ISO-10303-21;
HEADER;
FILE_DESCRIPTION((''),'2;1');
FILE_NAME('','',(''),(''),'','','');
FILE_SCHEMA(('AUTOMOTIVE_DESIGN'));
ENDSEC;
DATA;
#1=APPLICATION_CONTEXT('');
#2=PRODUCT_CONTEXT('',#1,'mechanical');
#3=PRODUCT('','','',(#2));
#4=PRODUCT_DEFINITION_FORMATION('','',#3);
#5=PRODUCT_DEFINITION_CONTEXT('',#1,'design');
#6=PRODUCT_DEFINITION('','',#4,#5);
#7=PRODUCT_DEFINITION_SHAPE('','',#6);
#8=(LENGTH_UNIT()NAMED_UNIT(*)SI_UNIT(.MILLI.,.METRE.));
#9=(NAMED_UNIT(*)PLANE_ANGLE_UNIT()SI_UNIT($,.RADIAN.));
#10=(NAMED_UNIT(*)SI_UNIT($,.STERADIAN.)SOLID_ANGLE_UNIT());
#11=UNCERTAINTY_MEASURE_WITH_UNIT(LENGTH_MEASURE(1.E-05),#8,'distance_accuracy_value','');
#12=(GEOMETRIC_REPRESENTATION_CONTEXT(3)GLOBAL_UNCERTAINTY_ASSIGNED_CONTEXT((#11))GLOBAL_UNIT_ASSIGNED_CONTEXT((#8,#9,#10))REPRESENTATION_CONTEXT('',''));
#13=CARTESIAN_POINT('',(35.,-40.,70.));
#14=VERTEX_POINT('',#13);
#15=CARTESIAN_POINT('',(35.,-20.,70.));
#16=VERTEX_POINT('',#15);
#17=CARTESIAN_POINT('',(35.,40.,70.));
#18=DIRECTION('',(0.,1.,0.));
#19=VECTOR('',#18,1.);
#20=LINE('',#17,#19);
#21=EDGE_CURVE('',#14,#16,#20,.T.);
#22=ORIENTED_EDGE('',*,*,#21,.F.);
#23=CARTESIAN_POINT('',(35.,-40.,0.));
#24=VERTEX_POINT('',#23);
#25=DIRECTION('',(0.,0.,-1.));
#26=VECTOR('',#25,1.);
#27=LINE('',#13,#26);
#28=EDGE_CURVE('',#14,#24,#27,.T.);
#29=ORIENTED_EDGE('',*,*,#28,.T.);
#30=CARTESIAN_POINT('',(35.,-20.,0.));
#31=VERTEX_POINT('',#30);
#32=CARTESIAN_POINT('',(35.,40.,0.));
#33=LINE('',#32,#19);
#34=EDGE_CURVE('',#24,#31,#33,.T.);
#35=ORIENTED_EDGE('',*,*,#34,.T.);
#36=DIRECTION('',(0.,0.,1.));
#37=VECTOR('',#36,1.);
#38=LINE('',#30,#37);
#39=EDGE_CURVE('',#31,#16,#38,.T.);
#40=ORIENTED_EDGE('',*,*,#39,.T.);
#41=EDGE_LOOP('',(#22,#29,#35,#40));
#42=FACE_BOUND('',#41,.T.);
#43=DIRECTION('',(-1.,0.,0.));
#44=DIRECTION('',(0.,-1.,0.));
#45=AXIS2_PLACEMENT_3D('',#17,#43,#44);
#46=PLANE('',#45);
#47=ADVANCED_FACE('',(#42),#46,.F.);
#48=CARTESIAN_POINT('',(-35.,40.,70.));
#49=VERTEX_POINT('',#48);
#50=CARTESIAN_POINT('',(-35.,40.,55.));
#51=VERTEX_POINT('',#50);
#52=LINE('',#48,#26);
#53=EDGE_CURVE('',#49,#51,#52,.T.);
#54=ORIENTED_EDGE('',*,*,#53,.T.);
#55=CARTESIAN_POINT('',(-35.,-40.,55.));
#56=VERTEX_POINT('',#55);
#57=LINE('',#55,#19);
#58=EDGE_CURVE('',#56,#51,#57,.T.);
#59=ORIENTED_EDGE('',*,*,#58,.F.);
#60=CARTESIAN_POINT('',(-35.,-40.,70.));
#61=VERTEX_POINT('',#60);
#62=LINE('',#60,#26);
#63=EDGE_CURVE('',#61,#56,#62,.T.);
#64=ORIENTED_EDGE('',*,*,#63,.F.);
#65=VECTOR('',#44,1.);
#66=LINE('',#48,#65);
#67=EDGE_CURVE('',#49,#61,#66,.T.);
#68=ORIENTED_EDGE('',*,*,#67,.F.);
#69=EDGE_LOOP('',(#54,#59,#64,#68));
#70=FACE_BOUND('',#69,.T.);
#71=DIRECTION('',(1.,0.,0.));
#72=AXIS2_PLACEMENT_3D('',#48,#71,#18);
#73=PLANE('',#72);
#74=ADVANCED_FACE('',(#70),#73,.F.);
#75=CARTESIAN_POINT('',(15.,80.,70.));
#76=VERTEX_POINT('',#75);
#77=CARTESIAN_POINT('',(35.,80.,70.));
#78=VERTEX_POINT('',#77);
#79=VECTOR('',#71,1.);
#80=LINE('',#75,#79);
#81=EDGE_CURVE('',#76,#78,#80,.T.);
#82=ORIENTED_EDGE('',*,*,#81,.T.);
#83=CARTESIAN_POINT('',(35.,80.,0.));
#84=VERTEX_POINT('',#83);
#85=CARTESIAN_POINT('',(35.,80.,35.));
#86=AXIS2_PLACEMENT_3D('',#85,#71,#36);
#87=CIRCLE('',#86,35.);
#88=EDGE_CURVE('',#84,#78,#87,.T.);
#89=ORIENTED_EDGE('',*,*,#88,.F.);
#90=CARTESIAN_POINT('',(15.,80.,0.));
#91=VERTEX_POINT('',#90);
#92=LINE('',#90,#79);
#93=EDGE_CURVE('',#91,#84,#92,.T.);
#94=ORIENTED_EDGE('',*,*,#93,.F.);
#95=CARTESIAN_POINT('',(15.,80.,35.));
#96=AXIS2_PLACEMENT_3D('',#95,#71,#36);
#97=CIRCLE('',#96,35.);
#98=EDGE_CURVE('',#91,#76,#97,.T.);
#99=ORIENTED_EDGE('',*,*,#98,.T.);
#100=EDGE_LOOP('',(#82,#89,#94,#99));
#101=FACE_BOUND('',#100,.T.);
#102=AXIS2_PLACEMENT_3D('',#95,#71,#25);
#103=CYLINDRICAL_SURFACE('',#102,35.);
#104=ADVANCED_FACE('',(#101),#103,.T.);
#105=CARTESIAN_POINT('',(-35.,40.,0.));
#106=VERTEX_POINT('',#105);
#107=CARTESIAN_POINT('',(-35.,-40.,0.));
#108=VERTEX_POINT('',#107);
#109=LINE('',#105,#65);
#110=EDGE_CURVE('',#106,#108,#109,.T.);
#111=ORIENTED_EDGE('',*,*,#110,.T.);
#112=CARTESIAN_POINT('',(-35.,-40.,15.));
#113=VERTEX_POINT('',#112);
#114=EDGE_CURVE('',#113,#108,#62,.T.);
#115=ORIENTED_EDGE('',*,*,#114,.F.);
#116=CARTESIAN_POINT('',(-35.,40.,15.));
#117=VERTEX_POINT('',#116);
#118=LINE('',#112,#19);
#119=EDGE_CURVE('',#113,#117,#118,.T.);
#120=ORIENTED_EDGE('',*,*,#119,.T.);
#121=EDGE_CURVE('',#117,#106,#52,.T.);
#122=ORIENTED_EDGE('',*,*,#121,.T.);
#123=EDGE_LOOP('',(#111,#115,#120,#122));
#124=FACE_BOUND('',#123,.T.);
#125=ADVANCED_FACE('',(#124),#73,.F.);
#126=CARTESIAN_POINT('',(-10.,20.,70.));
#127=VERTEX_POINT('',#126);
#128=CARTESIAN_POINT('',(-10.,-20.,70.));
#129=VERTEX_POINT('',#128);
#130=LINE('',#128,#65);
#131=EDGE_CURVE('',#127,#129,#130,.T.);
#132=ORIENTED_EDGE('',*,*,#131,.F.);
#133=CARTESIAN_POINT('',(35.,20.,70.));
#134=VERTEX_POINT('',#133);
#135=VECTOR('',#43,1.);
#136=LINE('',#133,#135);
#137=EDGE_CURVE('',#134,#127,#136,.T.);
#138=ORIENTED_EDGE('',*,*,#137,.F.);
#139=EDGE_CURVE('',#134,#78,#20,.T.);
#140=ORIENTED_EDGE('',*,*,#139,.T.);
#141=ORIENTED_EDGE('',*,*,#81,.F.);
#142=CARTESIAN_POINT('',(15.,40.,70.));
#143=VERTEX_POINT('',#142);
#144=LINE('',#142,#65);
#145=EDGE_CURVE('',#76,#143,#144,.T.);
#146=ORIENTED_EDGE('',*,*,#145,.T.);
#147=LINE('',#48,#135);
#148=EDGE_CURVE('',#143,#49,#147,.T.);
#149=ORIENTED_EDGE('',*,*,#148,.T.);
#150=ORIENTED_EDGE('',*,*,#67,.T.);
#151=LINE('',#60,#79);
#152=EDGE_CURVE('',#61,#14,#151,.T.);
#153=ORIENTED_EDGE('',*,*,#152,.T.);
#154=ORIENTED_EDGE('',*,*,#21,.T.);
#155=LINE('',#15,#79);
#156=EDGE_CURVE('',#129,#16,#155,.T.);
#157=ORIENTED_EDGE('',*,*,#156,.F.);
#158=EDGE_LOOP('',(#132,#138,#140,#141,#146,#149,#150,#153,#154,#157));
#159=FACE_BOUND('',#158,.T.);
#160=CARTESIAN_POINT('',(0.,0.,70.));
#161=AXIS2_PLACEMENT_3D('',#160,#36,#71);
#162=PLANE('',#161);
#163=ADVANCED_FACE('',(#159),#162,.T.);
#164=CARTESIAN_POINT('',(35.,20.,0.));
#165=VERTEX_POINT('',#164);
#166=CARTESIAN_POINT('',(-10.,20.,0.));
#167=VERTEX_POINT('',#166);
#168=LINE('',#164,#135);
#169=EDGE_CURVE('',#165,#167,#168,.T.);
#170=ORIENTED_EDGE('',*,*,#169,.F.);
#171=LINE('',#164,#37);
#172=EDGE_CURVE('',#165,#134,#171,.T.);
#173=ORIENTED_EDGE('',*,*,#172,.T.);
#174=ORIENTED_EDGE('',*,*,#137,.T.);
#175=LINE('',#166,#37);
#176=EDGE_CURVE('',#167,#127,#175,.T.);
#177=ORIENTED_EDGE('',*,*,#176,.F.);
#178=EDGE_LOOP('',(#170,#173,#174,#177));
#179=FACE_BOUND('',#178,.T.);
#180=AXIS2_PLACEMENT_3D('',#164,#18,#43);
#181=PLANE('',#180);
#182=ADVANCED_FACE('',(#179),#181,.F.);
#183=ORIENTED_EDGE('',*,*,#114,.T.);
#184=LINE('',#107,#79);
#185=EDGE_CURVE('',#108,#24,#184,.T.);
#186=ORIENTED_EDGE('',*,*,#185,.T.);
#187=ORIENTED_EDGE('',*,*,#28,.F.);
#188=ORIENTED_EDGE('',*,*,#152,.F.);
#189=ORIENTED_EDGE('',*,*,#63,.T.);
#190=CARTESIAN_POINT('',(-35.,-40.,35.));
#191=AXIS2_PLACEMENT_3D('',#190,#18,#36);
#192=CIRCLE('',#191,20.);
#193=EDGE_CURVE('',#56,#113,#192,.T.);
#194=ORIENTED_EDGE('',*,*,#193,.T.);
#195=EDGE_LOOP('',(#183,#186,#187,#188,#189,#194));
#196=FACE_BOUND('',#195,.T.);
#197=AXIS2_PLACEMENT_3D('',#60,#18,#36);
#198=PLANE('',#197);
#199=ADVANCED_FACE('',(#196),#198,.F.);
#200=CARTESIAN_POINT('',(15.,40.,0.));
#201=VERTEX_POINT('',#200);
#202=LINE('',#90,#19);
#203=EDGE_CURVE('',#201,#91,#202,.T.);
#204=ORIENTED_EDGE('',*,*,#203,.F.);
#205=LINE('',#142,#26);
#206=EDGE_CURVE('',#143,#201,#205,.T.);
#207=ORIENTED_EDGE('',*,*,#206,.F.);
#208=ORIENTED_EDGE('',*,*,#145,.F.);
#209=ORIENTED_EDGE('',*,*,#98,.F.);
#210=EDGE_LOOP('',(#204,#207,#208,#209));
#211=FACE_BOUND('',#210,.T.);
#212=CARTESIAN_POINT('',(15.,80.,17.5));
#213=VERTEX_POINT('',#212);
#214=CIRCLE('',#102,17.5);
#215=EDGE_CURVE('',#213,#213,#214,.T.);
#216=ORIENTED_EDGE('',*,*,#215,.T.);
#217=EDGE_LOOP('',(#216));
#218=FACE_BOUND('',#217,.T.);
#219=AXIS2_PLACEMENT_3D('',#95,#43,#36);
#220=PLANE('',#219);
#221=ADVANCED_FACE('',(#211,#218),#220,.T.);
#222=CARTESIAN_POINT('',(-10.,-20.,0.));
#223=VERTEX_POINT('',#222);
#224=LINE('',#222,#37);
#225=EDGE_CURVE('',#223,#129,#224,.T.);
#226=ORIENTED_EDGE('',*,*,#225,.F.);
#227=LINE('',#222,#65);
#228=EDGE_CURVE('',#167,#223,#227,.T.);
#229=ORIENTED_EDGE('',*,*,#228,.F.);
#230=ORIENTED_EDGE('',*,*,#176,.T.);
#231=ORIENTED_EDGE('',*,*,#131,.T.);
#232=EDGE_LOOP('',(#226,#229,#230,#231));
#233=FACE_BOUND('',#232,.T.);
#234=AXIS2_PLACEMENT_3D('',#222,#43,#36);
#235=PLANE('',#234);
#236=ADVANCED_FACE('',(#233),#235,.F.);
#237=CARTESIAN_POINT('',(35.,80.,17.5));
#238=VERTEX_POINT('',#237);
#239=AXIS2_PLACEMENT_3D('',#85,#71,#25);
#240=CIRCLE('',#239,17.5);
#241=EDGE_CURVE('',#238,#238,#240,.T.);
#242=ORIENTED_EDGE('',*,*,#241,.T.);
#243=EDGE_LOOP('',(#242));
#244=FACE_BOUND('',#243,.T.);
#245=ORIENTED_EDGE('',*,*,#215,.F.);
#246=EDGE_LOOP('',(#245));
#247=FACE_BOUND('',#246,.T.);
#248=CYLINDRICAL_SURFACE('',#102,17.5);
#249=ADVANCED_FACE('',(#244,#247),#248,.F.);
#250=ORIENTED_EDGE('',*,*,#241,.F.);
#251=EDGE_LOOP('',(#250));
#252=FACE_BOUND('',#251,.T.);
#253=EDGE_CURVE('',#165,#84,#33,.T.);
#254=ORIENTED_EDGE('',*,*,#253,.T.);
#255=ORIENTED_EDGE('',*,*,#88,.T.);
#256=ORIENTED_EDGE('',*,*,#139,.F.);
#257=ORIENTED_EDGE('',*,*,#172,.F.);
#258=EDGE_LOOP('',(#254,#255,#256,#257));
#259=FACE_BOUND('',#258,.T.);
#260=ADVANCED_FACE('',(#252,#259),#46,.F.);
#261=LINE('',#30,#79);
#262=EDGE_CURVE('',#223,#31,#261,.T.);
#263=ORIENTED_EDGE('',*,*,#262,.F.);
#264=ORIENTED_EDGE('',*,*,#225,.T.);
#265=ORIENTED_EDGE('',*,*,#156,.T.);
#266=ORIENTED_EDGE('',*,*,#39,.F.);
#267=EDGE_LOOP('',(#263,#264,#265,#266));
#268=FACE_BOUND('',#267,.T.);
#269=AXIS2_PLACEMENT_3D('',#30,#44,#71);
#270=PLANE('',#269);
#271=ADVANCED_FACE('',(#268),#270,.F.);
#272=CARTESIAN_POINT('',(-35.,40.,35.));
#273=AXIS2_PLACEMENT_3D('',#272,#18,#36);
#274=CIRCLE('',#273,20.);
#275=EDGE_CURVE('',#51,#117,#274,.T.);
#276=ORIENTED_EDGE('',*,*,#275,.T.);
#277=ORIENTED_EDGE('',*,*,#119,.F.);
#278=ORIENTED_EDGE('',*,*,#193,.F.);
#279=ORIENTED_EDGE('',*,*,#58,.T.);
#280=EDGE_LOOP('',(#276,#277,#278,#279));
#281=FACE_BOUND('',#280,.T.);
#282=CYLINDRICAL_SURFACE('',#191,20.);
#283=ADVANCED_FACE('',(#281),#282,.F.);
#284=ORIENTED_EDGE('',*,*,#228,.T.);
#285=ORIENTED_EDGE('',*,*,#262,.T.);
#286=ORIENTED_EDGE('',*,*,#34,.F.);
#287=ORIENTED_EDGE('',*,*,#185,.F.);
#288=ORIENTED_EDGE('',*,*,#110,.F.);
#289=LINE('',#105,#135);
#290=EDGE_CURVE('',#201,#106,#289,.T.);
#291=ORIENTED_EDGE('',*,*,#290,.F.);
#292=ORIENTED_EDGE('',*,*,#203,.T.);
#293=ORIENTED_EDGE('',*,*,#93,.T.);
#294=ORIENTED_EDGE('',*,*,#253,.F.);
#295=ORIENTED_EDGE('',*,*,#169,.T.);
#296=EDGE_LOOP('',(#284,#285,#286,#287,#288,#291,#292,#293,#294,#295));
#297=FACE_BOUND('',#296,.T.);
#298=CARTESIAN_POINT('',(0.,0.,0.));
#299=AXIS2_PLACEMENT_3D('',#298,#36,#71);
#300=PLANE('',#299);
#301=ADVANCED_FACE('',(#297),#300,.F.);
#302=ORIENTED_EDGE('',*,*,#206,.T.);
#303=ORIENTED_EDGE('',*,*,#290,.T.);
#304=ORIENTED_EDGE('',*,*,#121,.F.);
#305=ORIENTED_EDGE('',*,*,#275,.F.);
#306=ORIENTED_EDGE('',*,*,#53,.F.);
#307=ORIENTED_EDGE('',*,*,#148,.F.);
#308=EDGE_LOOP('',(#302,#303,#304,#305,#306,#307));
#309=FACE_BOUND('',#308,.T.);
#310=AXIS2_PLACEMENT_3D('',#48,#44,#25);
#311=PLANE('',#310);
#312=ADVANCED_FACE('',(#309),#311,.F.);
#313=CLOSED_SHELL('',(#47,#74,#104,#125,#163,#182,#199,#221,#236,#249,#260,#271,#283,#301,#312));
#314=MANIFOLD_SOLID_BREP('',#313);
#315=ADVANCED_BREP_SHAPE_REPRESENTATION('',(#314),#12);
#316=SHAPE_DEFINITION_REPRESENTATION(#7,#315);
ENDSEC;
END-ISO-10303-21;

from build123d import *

# Parameters (mm, degrees)
SKETCH1_W               = 70
SKETCH1_H               = 80
BOSS_EXTRUDE1_DEPTH     = 70
SKETCH2_W               = 45
SKETCH2_H               = 40
CUT_EXTRUDE1_DEPTH      = 70
CUT_EXTRUDE2_DEPTH      = 112.915146428
CUT_EXTRUDE2_DEPTH_BACK = 112.915146428
BOSS_EXTRUDE2_DEPTH     = 20
SKETCH5_R               = 17.5
CUT_EXTRUDE3_DEPTH      = 20


with BuildPart() as part:
    # Sketch1 → Boss-Extrude1 (new body)
    with BuildSketch(Plane.XY):
        Rectangle(SKETCH1_W, SKETCH1_H)
    extrude(amount=BOSS_EXTRUDE1_DEPTH)

    # Sketch2 → Cut-Extrude1 (cut)
    with BuildSketch(Plane.XY.offset(70)):
        with Locations((12.5, 0)):
            Rectangle(SKETCH2_W, SKETCH2_H)
    extrude(amount=-CUT_EXTRUDE1_DEPTH, mode=Mode.SUBTRACT)

    # Sketch3 → Cut-Extrude2 (cut, two sides: drawn at the far end of the back side and taken through both)
    with BuildSketch(Plane(origin=(0, 40, 0), x_dir=(1, 0, 0), z_dir=(0, 1, 0)).offset(-CUT_EXTRUDE2_DEPTH_BACK)):
        with BuildLine():
            Line((-35, -55), (-35, -15))
            ThreePointArc((-35, -15), (-15, -35), (-35, -55))
        make_face()
    extrude(amount=CUT_EXTRUDE2_DEPTH + CUT_EXTRUDE2_DEPTH_BACK, mode=Mode.SUBTRACT)

    # Sketch4 → Boss-Extrude2 (add)
    with BuildSketch(Plane(origin=(35, 0, 0), x_dir=(0, 0, -1), z_dir=(1, 0, 0))):
        with BuildLine():
            Line((-70, 40), (-70, 80))
            ThreePointArc((-70, 80), (-35, 115), (0, 80))
            Line((0, 80), (0, 40))
            Line((0, 40), (-70, 40))
        make_face()
    extrude(amount=-BOSS_EXTRUDE2_DEPTH)

    # Sketch5 → Cut-Extrude3 (cut)
    with BuildSketch(Plane(origin=(35, 0, 0), x_dir=(0, 0, -1), z_dir=(1, 0, 0))):
        with Locations((-35, 80)):
            Circle(SKETCH5_R)
    extrude(amount=-CUT_EXTRUDE3_DEPTH, mode=Mode.SUBTRACT)


solid = part.part
